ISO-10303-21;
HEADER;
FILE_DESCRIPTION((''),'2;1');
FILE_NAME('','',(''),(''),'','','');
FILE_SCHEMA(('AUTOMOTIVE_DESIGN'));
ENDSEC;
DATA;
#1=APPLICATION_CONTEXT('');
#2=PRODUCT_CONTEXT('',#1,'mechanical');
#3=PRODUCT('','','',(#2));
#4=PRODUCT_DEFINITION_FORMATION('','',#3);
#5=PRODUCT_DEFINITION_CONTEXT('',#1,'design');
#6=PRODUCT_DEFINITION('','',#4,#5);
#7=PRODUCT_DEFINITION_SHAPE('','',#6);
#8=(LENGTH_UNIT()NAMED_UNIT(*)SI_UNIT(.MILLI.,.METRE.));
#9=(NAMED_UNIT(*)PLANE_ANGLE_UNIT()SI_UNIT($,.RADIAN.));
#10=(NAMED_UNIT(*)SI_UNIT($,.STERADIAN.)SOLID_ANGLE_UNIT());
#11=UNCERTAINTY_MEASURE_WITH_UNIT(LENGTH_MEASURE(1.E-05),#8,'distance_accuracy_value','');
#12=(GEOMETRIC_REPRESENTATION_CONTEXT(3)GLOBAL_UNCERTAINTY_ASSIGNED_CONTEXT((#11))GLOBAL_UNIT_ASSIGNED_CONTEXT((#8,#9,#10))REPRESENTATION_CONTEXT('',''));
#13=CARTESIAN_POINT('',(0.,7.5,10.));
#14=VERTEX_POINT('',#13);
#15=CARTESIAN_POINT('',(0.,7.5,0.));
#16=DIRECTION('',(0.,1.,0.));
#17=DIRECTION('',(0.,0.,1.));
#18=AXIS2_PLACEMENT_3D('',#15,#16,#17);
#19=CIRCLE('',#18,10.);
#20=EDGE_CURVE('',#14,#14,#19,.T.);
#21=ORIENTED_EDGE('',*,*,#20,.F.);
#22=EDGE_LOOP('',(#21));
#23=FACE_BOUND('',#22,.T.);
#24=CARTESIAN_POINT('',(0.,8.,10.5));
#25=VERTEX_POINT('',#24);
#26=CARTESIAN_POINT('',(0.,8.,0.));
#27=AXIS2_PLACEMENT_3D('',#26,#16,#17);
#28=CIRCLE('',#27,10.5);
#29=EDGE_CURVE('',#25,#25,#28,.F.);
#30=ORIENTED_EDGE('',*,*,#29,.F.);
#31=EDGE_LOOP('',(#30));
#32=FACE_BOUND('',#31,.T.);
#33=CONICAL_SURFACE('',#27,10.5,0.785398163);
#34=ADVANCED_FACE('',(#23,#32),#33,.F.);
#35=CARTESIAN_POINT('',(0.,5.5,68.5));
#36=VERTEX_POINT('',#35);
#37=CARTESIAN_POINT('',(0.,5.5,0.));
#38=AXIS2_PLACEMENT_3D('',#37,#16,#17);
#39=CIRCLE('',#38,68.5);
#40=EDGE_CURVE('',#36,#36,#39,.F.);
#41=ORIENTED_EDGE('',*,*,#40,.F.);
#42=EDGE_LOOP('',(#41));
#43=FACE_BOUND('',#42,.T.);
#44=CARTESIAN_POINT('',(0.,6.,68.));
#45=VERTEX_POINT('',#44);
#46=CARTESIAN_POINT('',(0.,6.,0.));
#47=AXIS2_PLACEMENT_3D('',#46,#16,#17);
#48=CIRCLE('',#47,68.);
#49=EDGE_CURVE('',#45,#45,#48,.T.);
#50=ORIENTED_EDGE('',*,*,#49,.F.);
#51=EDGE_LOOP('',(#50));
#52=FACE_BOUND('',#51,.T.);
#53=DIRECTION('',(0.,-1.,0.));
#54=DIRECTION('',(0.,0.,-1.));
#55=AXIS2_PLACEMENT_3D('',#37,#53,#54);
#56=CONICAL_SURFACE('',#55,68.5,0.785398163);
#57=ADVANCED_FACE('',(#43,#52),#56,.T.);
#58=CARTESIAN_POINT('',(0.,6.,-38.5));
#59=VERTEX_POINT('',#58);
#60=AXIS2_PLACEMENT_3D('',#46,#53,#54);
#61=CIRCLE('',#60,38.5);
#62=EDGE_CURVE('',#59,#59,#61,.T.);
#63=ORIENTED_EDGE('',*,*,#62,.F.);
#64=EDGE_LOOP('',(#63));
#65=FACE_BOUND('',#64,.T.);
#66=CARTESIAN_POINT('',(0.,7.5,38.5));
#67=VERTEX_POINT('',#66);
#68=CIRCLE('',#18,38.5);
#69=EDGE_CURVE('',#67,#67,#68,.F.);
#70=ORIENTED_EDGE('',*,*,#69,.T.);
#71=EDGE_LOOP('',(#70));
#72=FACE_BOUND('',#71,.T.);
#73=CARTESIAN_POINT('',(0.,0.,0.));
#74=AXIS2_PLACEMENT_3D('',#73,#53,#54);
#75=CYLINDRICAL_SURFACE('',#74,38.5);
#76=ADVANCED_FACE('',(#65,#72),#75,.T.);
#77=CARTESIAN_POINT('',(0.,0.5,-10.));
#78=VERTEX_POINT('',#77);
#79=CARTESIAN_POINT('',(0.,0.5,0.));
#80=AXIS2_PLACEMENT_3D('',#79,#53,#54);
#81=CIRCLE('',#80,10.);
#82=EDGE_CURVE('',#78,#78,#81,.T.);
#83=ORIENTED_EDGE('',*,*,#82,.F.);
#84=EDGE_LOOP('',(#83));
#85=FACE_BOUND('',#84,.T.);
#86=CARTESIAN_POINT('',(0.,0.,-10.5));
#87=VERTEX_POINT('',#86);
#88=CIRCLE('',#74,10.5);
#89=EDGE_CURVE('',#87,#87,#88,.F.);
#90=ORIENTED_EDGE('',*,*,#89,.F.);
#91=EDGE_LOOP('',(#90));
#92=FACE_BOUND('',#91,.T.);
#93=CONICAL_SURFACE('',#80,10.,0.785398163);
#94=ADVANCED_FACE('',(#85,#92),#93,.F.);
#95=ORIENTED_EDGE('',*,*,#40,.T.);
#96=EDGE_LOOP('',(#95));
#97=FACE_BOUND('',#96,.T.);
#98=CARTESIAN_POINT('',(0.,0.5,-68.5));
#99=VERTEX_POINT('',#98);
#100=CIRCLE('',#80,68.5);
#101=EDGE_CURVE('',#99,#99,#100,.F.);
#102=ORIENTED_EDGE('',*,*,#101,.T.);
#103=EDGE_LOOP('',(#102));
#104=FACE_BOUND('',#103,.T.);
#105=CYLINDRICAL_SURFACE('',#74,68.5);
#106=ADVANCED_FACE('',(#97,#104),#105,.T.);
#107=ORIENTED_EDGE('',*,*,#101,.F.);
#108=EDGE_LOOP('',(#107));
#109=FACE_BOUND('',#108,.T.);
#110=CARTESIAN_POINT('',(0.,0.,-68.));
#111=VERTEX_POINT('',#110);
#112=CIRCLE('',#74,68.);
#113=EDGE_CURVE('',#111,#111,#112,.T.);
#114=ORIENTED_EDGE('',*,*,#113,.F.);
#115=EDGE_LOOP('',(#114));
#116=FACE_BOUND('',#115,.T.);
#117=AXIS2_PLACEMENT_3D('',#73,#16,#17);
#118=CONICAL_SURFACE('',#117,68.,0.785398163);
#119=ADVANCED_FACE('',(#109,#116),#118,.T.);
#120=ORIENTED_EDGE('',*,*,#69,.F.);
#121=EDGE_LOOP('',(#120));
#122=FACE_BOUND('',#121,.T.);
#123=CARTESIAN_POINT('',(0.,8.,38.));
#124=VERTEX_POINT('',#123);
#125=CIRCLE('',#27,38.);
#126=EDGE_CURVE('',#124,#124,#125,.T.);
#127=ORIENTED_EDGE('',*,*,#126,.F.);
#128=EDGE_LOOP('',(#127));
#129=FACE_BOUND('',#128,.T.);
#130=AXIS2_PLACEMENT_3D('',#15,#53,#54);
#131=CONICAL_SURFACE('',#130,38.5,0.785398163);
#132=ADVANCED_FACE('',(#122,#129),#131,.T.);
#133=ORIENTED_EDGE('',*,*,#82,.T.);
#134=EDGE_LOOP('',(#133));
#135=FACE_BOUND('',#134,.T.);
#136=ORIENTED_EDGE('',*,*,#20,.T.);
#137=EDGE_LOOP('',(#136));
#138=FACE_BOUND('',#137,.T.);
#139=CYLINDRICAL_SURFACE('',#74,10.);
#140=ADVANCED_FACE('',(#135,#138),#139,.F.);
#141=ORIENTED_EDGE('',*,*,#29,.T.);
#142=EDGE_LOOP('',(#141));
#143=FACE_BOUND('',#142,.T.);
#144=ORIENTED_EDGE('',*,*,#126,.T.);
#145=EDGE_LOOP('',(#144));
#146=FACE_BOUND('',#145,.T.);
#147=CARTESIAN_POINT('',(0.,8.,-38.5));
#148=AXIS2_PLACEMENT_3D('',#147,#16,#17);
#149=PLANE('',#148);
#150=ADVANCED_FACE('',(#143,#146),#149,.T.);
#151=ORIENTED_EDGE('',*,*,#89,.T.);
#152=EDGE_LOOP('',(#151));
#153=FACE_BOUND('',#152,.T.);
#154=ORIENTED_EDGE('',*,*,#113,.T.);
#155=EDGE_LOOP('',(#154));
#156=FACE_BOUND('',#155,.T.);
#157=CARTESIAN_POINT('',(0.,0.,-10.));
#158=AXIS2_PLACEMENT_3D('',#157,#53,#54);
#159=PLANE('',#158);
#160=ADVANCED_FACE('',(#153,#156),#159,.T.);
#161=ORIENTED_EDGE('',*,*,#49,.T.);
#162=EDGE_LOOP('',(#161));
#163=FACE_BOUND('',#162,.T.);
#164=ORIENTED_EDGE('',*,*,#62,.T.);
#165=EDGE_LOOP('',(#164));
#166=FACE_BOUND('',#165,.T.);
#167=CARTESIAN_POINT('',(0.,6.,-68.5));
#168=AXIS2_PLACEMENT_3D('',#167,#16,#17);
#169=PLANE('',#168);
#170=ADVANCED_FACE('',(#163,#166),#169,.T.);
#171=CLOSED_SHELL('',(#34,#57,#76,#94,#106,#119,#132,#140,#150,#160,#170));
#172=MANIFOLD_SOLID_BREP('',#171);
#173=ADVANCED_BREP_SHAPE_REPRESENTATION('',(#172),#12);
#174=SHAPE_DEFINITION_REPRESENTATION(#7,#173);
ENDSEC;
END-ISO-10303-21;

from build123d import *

# Parameters (mm, degrees)
CHAMFER_1_SIZE = 0.5


with BuildPart() as part:
    # 草图2 → 旋转1 (revolve)
    with BuildSketch(Plane(origin=(0, 0, 0), x_dir=(0, 0, -1), z_dir=(1, 0, 0))):
        Polygon((10, 0), (68.5, 0), (68.5, 6), (38.5, 6), (38.5, 8), (10, 8), align=None)
    revolve(axis=Axis((0, 0, 0), (0, 1, 0)))

    # 倒角1
    chamfer_1_edges = [part.edges().sort_by_distance(p)[0] for p in [
        (0, 0, 68.5),
        (0, 0, 10),
        (0, 8, 10),
        (0, 8, 38.5),
        (0, 6, 68.5),
    ]]
    chamfer(chamfer_1_edges, length=CHAMFER_1_SIZE)


solid = part.part
